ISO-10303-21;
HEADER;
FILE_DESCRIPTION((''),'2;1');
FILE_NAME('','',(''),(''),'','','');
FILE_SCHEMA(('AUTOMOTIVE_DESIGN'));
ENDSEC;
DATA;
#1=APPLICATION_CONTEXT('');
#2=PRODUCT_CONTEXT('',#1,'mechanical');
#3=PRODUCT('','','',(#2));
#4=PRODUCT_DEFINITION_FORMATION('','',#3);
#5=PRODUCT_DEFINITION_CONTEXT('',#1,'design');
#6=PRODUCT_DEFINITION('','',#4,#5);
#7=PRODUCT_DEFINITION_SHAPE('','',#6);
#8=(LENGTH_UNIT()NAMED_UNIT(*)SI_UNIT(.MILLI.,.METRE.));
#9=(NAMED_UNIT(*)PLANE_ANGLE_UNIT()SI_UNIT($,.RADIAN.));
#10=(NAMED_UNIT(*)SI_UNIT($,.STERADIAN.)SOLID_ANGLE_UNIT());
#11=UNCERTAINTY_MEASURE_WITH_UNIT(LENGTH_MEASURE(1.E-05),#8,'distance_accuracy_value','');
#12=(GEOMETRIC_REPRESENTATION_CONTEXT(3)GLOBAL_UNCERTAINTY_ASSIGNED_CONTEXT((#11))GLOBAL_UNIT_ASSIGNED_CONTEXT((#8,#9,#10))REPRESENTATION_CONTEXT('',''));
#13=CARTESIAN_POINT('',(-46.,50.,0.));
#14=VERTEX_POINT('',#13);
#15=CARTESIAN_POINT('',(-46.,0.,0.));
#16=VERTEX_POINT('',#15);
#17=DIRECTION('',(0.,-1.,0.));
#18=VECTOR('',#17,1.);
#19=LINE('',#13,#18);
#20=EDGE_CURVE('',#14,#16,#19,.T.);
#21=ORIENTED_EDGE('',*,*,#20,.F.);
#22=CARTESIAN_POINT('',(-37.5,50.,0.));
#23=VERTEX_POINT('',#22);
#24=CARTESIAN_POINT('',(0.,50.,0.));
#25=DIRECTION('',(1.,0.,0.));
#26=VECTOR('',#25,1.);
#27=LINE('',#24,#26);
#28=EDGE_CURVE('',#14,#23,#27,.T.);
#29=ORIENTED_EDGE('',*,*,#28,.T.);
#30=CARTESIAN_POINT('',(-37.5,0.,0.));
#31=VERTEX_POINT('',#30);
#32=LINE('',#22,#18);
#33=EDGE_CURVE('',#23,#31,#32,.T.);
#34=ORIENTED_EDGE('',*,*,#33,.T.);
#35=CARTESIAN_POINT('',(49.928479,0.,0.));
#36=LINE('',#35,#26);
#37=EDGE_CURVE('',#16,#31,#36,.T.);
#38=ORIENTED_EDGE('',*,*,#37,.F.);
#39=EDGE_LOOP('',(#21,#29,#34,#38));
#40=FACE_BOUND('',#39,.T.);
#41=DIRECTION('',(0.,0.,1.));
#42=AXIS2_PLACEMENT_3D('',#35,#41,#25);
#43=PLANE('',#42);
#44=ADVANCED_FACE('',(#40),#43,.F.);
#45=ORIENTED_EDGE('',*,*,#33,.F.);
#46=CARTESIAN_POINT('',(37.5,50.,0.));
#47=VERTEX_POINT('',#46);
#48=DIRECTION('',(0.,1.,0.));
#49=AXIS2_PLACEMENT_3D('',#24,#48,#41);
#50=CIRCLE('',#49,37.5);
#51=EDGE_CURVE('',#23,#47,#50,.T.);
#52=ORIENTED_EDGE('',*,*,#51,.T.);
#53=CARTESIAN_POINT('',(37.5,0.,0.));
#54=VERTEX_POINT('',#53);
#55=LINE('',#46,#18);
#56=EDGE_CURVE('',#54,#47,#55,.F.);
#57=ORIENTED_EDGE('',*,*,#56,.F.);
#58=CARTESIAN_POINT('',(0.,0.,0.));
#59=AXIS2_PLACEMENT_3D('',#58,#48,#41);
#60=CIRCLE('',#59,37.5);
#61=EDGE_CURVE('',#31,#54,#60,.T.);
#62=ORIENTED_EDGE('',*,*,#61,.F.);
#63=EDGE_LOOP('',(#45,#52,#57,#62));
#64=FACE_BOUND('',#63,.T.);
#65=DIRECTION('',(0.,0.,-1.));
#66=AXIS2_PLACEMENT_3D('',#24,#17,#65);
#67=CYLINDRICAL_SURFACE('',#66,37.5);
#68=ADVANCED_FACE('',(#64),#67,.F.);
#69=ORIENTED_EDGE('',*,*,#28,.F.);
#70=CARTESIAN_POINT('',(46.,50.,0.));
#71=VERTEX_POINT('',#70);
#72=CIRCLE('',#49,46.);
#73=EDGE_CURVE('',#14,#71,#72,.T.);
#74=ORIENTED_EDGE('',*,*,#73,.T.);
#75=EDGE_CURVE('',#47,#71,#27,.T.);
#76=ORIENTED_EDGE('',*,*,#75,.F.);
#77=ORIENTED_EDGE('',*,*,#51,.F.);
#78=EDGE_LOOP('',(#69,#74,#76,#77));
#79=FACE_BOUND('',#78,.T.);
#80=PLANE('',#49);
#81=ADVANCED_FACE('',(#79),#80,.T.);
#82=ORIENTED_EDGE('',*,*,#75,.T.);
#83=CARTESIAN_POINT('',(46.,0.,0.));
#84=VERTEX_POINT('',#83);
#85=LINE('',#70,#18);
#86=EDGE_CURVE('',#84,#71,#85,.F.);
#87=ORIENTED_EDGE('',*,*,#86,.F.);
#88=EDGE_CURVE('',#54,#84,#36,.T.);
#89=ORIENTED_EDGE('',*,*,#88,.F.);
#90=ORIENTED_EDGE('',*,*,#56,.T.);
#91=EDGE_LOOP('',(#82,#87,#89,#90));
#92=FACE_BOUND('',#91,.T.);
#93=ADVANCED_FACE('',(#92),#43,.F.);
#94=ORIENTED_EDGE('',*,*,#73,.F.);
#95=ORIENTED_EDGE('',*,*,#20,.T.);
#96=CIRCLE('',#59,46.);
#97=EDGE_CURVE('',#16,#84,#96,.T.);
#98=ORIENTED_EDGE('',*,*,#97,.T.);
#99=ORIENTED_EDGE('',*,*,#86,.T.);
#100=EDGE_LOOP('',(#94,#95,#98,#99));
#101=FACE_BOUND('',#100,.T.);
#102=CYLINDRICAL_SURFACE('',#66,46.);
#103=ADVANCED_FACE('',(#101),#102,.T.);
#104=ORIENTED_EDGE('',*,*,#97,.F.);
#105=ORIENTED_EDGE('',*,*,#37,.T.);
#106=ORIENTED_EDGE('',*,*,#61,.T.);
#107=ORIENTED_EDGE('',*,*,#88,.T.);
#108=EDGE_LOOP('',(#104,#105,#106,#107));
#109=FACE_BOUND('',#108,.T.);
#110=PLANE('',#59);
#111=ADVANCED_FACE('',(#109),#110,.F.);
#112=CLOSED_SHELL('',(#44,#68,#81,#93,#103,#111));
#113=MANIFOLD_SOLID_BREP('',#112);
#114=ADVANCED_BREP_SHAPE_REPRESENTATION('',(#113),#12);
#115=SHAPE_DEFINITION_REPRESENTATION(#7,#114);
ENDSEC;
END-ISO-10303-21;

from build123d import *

# Parameters (mm, degrees)
SKETCH1_R               = 46
SKETCH1_R_2             = 37.5
BOSS_EXTRUDE1_DEPTH     = 50
CUT_EXTRUDE8_DEPTH      = 83.048765987
CUT_EXTRUDE8_DEPTH_BACK = 83.048765987
SKETCH8_W               = 104.25588027
SKETCH8_H               = 47.375265608


with BuildPart() as part:
    # Sketch1 → Boss-Extrude1 (new body)
    with BuildSketch(Plane(origin=(0, 0, 0), x_dir=(1, 0, 0), z_dir=(0, 1, 0))):
        with Locations(Location((0, 0, 0), (0, 0, 270))):
            Circle(SKETCH1_R)
        with Locations(Location((0, 0, 0), (0, 0, 270))):
            Circle(SKETCH1_R_2, mode=Mode.SUBTRACT)
    extrude(amount=BOSS_EXTRUDE1_DEPTH)

    # Sketch8 → Cut-Extrude8 (cut, two sides: drawn at the far end of the back side and taken through both)
    with BuildSketch(Plane(origin=(0, 50, 0), x_dir=(1, 0, 0), z_dir=(0, 1, 0)).offset(-CUT_EXTRUDE8_DEPTH_BACK)):
        with Locations((-2.199460807, 23.687632804)):
            Rectangle(SKETCH8_W, SKETCH8_H)
    extrude(amount=CUT_EXTRUDE8_DEPTH + CUT_EXTRUDE8_DEPTH_BACK, mode=Mode.SUBTRACT)


solid = part.part
